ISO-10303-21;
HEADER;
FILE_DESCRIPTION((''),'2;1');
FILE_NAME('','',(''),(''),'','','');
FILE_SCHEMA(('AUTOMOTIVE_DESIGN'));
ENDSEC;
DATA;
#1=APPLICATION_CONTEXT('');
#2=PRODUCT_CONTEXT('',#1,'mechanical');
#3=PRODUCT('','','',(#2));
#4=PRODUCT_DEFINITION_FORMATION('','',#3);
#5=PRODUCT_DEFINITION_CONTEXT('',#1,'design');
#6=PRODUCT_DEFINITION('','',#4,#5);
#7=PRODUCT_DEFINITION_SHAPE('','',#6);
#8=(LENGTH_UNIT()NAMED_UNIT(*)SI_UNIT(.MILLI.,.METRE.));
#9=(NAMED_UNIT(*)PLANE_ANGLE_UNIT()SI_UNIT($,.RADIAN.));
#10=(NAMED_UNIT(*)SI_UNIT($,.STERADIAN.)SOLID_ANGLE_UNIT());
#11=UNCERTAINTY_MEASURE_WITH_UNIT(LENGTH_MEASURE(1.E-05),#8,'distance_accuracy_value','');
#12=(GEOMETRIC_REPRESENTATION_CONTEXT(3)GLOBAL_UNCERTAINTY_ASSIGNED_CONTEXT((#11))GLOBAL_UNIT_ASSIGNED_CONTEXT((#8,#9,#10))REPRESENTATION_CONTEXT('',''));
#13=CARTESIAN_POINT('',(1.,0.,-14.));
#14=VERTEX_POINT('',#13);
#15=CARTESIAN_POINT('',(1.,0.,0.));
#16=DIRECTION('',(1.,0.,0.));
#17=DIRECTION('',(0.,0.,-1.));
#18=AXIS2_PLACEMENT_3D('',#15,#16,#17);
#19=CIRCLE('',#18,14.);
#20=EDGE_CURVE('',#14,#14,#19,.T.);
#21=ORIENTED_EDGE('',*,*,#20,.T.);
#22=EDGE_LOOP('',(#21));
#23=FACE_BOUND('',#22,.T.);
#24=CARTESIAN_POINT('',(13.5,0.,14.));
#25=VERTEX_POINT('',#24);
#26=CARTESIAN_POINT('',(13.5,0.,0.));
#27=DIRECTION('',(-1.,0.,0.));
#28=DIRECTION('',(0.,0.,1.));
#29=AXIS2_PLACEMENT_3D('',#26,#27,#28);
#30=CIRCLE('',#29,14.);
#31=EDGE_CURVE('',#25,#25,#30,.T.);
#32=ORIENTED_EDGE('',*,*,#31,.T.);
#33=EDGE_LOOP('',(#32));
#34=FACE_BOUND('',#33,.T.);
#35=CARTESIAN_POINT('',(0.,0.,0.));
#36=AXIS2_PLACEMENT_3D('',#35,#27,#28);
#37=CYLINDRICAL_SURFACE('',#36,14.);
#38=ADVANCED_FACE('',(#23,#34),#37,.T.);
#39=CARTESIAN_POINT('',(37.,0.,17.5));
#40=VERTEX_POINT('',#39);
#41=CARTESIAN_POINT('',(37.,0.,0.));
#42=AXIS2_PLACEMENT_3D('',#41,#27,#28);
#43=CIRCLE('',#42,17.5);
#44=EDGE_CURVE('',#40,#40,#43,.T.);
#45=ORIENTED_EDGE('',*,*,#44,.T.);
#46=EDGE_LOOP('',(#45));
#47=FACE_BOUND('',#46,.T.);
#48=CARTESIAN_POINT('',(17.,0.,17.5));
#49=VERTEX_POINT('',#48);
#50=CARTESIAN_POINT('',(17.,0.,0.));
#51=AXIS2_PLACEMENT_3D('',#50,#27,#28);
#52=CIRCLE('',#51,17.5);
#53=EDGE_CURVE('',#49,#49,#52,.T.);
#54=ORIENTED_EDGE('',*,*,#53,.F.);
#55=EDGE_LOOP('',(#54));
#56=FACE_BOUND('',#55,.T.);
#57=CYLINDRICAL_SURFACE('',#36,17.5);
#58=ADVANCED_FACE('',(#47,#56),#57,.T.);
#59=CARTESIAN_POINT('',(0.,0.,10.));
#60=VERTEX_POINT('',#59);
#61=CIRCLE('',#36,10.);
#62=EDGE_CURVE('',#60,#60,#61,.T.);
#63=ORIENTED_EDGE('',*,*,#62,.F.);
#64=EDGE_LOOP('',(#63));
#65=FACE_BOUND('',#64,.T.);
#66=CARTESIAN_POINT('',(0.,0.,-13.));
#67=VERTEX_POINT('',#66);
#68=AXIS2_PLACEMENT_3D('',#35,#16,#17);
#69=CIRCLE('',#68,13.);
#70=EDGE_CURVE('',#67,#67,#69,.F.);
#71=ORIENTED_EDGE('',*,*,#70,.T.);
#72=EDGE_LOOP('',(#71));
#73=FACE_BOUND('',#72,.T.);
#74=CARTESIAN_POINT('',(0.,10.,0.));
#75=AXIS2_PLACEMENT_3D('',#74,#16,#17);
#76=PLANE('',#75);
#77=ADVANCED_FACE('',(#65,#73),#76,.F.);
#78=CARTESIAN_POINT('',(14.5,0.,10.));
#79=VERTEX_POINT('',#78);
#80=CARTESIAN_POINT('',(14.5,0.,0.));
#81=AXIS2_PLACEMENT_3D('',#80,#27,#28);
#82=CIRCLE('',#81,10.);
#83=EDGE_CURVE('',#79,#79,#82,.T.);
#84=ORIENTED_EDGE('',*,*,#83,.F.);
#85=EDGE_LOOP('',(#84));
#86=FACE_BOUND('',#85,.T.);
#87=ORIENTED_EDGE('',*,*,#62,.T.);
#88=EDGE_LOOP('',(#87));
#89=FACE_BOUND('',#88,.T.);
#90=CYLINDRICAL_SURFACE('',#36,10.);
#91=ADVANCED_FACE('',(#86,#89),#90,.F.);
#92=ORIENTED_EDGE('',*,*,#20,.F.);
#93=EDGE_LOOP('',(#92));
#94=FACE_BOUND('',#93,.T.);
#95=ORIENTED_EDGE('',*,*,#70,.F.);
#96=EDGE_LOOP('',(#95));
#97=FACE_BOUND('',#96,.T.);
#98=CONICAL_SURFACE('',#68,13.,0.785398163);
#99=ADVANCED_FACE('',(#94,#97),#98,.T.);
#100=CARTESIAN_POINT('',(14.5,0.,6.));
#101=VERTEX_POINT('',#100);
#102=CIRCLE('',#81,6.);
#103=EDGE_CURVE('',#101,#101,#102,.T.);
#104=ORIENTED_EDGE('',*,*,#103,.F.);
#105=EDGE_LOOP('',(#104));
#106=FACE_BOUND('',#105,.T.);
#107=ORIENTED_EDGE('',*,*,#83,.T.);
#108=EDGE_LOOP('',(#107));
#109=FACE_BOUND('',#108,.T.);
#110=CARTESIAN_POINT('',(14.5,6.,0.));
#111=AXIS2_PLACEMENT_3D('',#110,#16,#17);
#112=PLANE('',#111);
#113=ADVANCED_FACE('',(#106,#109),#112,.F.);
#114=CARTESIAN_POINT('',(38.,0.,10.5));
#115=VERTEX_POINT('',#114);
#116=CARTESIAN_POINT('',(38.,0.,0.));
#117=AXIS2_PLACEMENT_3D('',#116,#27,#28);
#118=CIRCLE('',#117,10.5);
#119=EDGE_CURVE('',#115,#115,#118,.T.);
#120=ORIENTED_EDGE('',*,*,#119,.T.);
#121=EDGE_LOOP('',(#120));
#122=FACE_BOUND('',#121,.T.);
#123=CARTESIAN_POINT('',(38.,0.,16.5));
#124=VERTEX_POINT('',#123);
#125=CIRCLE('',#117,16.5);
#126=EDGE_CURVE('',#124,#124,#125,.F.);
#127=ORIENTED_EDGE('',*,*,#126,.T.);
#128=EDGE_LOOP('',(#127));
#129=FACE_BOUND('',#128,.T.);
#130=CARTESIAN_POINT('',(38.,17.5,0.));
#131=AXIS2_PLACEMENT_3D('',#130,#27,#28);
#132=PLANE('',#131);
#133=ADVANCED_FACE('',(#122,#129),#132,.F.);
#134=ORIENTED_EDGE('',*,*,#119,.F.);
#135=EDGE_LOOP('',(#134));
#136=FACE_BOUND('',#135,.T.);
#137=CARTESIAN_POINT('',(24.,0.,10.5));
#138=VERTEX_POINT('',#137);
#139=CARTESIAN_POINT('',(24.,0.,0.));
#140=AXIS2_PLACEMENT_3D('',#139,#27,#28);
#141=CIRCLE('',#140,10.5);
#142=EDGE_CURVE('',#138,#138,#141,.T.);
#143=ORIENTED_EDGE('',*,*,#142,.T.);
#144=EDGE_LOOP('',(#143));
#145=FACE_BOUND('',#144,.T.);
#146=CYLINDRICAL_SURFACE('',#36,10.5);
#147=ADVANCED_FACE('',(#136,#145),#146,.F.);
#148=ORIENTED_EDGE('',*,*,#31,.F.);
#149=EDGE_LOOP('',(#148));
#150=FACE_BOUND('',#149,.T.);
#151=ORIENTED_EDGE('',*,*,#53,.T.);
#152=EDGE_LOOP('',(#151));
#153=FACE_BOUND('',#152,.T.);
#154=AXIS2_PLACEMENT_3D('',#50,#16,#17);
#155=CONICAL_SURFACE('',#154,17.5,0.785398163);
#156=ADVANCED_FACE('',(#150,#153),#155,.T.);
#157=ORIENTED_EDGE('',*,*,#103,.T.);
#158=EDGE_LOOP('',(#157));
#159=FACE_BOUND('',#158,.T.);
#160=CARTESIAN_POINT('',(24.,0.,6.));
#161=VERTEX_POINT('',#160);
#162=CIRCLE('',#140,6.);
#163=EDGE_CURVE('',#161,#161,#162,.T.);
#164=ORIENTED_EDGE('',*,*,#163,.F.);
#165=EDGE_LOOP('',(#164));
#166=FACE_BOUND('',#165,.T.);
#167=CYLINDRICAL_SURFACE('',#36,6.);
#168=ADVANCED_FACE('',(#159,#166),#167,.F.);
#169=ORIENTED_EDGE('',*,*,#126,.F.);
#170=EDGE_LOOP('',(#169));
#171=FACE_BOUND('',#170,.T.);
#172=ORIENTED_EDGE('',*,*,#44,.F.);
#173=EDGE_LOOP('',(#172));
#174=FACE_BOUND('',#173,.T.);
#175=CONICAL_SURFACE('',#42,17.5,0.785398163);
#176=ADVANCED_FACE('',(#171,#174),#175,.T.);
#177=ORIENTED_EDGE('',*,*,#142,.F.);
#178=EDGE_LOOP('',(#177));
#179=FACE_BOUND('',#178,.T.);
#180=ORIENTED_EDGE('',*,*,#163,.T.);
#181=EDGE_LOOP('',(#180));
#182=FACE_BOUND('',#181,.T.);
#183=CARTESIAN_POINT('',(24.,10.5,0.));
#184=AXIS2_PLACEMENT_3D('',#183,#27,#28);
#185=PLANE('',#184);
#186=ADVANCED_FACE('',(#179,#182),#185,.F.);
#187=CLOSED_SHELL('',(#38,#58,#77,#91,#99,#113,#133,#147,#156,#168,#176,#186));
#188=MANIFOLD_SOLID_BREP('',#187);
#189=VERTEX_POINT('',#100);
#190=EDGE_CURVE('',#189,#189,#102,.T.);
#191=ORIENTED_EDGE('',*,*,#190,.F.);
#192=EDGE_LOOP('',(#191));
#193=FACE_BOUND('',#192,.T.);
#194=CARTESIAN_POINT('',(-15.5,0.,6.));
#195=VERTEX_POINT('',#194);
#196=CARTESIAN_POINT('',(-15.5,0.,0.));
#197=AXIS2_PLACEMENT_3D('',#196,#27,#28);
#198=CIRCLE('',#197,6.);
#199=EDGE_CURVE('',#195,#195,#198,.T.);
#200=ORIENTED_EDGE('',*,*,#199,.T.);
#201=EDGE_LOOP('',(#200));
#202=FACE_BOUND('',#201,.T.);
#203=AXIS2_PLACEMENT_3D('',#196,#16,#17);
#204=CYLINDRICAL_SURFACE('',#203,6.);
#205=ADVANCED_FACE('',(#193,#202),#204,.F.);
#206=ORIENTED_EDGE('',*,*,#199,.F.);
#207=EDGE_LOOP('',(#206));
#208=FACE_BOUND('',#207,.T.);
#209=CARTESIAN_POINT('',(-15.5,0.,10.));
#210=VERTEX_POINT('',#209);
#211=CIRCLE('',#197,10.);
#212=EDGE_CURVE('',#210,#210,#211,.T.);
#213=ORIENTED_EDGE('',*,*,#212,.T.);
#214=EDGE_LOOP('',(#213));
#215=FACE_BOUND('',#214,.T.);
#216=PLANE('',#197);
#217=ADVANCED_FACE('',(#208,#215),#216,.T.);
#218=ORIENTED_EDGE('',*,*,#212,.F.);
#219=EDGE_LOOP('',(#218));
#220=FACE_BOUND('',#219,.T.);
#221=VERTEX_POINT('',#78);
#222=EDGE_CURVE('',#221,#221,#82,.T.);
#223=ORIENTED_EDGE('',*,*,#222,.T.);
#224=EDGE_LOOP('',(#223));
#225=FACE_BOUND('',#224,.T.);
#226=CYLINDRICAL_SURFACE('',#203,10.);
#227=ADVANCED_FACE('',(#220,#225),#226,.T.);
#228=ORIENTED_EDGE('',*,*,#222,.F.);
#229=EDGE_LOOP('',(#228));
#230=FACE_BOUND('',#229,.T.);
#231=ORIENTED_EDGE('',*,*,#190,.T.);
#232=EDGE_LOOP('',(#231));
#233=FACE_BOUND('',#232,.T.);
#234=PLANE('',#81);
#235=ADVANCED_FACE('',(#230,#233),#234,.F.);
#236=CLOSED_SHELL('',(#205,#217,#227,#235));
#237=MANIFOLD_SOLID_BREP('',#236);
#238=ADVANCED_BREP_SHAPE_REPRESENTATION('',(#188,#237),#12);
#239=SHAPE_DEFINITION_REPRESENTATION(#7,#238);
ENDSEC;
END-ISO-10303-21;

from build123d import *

# Parameters (mm, degrees)
CHAMFER1_SIZE       = 1
SKETCH2_R           = 10
SKETCH2_R_2         = 6
BOSS_EXTRUDE1_DEPTH = 30


with BuildPart() as part:
    # Sketch1 → Revolve1 (revolve)
    with BuildSketch(Plane.XY):
        Polygon((0, 10), (0, 14), (13.5, 14), (17, 17.5), (38, 17.5), (38, 10.5), (24, 10.5), (24, 6), (14.5, 6), (14.5, 10), align=None)
    revolve(axis=Axis((0, 0, 0), (1, 0, 0)))

    # Chamfer1
    chamfer1_edges = [part.edges().sort_by_distance(p)[0] for p in [
        (38, -17.5, 0),
        (0, -14, 0),
    ]]
    chamfer(chamfer1_edges, length=CHAMFER1_SIZE)


with BuildPart() as body_2:
    # Sketch2 → Boss-Extrude1 (new body)
    with BuildSketch(Plane.ZY.offset(-14.5)):
        Circle(SKETCH2_R)
        Circle(SKETCH2_R_2, mode=Mode.SUBTRACT)
    extrude(amount=BOSS_EXTRUDE1_DEPTH)


solid = Compound([part.part, body_2.part])
